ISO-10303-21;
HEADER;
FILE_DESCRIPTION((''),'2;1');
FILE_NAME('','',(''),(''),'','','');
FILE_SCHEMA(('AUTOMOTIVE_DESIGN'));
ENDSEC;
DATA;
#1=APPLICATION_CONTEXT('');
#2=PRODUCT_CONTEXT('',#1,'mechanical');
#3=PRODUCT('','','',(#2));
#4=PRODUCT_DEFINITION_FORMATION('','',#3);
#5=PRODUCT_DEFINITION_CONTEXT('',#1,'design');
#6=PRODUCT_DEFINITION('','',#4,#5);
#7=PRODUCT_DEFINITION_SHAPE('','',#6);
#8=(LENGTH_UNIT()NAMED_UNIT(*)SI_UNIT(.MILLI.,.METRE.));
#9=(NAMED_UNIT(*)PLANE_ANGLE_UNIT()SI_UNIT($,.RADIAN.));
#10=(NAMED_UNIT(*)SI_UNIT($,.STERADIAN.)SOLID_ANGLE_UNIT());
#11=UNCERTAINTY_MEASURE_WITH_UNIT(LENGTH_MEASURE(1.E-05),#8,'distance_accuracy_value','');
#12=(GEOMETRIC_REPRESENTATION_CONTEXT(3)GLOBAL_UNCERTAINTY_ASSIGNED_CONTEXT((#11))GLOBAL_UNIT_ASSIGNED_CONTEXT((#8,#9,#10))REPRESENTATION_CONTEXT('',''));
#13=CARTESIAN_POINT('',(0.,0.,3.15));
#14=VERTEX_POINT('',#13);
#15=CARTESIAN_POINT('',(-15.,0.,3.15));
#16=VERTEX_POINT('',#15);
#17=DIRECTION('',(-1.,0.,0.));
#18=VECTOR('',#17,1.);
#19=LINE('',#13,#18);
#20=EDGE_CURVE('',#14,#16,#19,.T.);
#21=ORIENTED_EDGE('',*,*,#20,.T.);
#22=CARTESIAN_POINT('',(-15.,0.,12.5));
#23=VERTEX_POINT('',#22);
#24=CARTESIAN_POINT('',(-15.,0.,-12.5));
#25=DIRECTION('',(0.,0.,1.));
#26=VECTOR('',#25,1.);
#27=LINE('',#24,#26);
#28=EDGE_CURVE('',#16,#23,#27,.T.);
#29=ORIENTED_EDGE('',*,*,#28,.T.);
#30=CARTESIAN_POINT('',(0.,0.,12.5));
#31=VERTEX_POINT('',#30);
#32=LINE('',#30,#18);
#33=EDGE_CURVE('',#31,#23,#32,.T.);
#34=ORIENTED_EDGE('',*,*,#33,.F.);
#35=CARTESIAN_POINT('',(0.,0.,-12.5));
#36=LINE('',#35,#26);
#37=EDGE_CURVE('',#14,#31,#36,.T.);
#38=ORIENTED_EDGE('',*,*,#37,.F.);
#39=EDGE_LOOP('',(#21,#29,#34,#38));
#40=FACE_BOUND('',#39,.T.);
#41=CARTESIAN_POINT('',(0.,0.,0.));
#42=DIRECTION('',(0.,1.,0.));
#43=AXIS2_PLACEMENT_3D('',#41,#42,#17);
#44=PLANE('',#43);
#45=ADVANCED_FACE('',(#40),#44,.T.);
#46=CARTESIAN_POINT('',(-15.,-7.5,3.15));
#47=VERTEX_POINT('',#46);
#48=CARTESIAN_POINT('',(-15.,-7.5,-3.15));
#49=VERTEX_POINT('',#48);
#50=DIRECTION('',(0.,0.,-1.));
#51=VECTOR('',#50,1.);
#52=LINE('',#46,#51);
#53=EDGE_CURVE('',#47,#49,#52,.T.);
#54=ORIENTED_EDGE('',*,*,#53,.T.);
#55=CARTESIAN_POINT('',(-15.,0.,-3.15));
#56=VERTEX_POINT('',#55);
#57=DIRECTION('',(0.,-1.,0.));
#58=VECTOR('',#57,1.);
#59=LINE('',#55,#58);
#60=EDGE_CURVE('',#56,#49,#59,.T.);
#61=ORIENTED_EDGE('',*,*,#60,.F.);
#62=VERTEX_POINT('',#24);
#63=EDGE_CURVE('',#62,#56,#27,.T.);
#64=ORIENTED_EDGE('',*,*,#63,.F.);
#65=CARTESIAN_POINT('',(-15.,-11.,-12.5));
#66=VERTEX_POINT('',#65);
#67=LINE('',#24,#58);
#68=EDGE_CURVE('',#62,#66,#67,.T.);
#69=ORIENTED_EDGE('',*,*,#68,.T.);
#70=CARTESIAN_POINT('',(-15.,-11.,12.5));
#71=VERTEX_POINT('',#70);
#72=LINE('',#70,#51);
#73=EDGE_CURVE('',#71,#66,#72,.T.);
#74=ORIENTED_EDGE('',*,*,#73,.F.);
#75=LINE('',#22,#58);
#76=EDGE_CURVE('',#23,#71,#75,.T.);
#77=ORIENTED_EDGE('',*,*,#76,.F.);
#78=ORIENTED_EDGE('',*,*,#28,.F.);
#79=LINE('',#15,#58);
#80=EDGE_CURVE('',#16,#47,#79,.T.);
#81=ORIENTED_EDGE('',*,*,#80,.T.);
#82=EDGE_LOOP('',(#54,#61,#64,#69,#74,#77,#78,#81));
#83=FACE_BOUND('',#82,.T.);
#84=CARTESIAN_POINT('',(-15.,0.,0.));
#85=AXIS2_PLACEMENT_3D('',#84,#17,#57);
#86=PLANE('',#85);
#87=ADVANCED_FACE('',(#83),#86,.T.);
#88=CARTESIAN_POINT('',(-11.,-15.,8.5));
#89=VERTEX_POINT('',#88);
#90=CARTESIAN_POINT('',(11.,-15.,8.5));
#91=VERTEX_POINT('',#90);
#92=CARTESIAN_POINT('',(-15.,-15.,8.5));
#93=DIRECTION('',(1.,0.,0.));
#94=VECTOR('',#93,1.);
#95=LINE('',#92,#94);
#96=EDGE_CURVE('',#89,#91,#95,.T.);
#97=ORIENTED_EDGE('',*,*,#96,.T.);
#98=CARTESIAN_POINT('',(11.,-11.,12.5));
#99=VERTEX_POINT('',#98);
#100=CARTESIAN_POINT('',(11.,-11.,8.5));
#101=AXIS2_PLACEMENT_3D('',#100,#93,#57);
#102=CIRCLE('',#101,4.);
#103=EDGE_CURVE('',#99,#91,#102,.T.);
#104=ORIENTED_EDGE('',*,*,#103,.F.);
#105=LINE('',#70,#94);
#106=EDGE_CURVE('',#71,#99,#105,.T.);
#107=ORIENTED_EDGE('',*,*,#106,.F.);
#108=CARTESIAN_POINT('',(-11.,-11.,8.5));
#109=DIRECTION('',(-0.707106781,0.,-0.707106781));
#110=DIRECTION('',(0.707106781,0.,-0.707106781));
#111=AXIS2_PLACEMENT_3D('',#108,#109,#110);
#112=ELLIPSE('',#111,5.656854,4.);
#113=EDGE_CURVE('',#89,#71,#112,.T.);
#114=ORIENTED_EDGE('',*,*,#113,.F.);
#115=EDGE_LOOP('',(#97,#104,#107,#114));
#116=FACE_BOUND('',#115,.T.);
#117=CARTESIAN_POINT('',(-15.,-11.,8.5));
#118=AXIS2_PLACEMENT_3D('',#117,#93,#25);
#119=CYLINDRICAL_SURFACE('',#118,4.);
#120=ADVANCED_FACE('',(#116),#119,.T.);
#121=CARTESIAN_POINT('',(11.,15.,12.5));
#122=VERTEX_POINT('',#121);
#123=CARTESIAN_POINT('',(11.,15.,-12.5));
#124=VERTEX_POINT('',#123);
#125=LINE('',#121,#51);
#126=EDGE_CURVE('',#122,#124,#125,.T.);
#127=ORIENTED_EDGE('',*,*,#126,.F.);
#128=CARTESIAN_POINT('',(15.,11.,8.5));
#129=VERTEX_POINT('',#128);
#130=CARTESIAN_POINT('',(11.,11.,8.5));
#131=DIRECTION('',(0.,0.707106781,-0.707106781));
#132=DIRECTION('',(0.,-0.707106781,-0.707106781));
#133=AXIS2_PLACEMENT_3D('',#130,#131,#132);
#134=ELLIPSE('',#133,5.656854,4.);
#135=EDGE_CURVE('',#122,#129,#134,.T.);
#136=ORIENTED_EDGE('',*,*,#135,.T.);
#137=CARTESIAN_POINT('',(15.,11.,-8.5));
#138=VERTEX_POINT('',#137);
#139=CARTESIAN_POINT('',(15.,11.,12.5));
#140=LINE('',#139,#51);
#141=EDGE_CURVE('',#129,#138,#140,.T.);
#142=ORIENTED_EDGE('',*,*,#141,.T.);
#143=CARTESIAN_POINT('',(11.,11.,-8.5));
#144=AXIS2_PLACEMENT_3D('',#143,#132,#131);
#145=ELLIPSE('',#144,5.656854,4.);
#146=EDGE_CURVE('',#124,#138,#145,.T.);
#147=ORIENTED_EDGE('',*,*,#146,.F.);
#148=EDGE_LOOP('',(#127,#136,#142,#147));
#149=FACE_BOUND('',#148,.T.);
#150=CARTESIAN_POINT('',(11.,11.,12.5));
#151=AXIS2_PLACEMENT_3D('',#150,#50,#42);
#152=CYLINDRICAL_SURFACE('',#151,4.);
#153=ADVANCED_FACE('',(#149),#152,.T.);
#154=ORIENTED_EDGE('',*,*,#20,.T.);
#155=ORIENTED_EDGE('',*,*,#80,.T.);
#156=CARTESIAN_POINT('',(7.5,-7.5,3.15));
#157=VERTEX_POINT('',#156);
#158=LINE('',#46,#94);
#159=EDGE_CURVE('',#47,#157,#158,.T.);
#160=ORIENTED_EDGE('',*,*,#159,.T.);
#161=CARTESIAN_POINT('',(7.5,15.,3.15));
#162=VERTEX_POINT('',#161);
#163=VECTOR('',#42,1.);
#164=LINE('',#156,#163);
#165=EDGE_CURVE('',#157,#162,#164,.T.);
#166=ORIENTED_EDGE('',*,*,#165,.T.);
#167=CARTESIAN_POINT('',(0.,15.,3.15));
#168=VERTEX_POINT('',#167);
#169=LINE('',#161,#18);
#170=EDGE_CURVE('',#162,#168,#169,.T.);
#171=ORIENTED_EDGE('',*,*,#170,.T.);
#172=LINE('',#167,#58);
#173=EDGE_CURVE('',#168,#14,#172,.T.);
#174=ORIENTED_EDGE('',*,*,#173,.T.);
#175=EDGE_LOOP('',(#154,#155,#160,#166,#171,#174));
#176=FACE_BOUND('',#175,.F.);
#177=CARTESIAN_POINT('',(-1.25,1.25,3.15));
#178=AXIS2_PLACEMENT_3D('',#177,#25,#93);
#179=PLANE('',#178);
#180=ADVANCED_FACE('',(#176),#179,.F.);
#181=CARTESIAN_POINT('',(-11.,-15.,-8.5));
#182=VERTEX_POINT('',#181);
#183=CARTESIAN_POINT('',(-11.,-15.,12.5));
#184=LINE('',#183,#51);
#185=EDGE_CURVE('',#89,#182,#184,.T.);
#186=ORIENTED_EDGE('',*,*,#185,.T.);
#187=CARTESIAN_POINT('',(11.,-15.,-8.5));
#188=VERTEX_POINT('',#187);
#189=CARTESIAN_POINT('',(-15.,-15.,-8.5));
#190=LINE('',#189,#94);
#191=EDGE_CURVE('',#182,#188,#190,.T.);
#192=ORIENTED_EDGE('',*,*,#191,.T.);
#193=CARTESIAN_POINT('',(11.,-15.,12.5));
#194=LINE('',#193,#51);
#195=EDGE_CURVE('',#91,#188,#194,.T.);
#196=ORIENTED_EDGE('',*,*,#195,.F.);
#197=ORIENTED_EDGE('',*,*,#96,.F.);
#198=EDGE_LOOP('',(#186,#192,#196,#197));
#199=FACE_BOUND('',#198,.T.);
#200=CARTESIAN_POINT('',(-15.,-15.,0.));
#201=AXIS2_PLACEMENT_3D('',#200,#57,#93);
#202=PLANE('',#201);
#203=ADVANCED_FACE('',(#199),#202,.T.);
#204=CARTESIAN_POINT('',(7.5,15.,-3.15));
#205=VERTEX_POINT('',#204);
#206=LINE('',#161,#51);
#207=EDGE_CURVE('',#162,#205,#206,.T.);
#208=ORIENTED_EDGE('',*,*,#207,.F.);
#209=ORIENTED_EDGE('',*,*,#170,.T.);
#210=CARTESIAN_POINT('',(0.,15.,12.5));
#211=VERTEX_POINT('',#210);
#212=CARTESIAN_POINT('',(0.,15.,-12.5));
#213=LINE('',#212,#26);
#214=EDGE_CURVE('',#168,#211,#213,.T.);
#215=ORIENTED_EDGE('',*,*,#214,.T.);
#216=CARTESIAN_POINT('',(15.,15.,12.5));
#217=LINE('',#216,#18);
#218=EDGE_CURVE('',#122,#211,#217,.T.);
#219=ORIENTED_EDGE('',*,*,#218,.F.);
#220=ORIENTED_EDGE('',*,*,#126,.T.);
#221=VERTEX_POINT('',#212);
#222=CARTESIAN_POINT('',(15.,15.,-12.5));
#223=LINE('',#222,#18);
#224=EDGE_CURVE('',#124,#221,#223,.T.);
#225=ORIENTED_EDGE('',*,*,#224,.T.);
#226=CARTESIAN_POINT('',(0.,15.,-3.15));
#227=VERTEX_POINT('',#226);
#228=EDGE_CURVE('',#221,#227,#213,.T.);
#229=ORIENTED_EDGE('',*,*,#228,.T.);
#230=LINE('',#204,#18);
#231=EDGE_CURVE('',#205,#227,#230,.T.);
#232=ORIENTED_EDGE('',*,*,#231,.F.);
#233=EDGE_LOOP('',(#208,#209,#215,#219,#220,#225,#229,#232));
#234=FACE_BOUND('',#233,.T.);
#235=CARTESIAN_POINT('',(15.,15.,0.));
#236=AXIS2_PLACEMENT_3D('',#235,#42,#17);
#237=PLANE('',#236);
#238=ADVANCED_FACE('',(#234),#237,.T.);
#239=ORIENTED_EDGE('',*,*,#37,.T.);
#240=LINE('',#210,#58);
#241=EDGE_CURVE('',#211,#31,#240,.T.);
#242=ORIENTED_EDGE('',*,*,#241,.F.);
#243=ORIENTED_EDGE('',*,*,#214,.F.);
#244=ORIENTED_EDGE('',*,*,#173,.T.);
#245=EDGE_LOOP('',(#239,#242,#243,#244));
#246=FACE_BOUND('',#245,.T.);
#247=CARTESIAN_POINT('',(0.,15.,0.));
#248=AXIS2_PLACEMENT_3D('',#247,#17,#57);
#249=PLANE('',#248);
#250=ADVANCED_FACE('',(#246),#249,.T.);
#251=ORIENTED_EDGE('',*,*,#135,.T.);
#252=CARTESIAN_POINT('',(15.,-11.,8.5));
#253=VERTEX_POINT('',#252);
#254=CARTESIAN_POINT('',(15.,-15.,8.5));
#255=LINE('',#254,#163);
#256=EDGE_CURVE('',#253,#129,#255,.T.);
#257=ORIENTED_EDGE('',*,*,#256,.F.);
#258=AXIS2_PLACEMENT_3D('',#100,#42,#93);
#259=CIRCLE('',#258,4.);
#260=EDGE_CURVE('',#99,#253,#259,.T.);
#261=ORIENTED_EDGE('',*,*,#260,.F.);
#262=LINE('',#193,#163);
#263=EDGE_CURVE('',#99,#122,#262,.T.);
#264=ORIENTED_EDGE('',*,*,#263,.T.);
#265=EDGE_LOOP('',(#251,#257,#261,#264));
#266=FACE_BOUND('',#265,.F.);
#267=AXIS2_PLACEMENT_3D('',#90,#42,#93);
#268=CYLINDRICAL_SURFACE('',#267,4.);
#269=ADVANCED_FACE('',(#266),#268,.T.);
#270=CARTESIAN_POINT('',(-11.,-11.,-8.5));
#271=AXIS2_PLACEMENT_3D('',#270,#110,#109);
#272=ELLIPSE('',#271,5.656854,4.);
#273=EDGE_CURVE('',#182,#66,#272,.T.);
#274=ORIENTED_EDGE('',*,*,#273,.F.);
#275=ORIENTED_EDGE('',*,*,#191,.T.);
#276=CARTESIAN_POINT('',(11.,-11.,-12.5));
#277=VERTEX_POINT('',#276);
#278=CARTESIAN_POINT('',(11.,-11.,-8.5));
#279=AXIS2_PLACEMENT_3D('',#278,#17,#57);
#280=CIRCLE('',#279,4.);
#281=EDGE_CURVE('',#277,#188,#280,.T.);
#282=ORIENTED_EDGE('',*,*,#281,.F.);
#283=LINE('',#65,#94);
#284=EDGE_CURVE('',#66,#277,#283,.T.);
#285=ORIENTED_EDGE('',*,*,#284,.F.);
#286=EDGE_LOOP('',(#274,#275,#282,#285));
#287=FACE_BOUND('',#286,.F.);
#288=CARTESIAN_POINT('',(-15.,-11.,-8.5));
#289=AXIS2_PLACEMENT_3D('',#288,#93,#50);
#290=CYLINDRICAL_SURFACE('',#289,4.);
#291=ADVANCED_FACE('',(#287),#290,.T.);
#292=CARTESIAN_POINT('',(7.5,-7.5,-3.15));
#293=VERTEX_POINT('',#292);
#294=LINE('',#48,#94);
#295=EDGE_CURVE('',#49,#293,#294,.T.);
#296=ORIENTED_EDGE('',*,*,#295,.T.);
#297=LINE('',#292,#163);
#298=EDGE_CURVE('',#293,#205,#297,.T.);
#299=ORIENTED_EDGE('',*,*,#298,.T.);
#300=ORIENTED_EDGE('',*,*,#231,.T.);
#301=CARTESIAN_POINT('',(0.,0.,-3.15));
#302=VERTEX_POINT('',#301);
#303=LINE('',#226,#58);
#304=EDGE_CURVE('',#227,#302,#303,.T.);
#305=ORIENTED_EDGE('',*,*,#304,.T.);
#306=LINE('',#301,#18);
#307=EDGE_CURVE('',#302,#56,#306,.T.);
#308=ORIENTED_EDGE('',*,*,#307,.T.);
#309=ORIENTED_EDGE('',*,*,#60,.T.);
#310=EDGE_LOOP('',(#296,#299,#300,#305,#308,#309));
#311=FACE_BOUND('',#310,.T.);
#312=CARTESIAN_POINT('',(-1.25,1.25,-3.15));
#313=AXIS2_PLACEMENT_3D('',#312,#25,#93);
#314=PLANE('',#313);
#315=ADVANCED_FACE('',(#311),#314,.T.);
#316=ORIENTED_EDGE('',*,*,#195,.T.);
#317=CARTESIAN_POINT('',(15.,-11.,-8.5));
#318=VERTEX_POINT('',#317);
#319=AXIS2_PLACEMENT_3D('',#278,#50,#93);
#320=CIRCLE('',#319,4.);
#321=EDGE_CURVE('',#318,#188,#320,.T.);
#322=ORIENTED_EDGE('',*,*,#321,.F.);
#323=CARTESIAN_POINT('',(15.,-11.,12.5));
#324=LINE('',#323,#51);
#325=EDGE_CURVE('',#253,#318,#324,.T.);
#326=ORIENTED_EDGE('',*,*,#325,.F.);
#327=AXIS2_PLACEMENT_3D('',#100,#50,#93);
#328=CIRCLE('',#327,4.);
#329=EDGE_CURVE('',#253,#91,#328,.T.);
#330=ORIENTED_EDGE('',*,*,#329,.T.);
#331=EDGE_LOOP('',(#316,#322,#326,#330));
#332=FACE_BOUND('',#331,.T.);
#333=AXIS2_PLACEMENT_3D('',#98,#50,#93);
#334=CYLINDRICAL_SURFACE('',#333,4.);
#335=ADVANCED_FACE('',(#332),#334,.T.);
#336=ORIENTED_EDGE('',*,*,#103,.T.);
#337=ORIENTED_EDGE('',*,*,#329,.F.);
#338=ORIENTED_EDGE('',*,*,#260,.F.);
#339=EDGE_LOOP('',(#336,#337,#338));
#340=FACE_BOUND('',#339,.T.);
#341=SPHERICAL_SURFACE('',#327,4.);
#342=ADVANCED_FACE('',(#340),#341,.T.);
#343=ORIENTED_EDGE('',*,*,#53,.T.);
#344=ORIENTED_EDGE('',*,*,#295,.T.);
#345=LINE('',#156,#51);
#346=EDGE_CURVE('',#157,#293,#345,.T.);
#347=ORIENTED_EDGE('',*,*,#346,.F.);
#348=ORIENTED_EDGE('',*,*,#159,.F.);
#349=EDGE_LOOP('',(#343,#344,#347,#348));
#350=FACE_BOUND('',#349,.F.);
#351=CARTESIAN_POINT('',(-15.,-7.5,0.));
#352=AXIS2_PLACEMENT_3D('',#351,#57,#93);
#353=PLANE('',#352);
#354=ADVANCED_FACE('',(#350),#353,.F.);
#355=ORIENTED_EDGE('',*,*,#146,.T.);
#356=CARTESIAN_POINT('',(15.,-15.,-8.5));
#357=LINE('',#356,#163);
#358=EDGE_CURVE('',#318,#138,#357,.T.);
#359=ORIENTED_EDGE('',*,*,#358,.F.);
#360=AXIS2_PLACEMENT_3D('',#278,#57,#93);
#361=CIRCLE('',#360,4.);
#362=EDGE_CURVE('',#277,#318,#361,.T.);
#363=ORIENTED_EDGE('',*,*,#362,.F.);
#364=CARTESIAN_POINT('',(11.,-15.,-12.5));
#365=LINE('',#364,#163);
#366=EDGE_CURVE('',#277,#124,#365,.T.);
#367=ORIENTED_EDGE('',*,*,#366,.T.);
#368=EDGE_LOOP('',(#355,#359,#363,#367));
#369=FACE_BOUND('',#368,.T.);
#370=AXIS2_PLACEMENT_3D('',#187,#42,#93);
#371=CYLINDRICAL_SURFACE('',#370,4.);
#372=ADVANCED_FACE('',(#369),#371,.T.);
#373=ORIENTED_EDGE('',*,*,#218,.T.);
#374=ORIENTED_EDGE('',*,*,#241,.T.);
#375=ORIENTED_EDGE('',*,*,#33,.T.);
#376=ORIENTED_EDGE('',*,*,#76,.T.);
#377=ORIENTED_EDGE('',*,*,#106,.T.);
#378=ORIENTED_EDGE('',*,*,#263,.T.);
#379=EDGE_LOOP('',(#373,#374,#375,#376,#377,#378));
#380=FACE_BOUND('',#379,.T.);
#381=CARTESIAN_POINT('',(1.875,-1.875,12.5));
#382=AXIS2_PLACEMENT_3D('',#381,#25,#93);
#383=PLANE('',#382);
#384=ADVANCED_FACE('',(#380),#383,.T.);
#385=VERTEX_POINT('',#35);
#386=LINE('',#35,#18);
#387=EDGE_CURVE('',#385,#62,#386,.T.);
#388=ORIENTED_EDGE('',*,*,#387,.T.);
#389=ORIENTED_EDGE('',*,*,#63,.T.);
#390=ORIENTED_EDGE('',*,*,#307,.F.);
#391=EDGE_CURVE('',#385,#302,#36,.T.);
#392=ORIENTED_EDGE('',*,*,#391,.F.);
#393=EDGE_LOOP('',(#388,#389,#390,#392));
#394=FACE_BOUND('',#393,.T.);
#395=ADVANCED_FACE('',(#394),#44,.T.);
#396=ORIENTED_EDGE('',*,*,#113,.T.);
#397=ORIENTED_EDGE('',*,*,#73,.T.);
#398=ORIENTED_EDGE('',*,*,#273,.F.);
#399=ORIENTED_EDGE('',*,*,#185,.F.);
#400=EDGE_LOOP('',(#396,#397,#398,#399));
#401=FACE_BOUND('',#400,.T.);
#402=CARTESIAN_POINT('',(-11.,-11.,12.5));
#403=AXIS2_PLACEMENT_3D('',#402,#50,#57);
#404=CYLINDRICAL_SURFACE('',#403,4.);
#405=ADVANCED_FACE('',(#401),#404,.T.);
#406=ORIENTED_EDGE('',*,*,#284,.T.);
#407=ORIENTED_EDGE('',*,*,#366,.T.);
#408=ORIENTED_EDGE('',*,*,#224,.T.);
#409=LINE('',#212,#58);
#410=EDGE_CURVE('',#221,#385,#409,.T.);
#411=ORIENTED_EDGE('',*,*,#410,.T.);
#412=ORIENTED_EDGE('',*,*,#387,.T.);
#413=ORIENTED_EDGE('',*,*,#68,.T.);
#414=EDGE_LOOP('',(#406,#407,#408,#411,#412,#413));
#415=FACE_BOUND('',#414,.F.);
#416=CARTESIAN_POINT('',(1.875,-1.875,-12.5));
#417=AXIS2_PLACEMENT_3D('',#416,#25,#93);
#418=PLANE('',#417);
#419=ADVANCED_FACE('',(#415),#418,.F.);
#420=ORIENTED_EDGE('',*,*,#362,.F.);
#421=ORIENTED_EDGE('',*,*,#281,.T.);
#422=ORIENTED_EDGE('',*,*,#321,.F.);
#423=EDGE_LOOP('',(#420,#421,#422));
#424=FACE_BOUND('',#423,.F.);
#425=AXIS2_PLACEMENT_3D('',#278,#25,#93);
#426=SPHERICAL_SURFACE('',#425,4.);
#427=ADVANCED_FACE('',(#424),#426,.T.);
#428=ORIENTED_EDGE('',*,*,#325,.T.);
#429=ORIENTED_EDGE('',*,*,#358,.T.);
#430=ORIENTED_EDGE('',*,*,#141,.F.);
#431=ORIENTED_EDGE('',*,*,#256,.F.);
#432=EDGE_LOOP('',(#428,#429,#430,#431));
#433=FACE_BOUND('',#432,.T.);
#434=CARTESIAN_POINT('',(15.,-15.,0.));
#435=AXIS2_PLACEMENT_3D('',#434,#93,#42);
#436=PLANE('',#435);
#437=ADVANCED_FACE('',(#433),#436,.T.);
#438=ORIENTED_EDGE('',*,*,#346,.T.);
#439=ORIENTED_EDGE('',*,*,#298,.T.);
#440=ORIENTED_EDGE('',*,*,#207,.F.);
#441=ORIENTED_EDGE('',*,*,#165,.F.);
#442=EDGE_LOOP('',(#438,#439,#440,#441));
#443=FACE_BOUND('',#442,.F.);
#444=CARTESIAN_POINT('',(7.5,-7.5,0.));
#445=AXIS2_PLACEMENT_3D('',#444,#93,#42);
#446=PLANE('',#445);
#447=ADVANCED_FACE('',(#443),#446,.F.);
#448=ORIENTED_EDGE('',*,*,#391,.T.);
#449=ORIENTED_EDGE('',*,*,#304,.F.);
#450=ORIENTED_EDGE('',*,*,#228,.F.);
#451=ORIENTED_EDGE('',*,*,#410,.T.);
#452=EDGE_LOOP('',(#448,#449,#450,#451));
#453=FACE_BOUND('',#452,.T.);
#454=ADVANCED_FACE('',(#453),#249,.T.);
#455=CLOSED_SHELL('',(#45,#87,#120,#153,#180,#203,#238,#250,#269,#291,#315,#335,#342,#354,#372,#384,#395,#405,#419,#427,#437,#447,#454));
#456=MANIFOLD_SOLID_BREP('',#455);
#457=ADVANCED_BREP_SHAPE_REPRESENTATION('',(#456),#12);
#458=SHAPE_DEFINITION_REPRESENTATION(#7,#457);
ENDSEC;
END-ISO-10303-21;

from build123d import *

# Parameters (mm, degrees)
F1_DEPTH = 12.5
F3_DEPTH = 3.15
F4_R     = 4


with BuildPart() as f1:
    # F0 (on Top) → F1 (new body, symmetric)
    with BuildSketch(Plane.XY):
        Polygon((15, 15), (0, 15), (0, 0), (-15, 0), (-15, -15), (15, -15), align=None)
    extrude(amount=F1_DEPTH, both=True)

    # F2 (on Top) → F3 (cut, symmetric)
    with BuildSketch(Plane.XY):
        Polygon((7.5, 15), (0, 15), (0, 0), (-15, 0), (-15, -7.5), (7.5, -7.5), align=None)
    extrude(amount=F3_DEPTH, both=True, mode=Mode.SUBTRACT)

    # F4
    f4_edges = [f1.edges().sort_by_distance(p)[0] for p in [
        (-15, -15, 0),
        (15, -15, 0),
        (15, 15, 0),
        (15, 0, 12.5),
        (0, -15, 12.5),
        (15, 0, -12.5),
        (0, -15, -12.5),
    ]]
    fillet(f4_edges, radius=F4_R)


solid = f1.part
